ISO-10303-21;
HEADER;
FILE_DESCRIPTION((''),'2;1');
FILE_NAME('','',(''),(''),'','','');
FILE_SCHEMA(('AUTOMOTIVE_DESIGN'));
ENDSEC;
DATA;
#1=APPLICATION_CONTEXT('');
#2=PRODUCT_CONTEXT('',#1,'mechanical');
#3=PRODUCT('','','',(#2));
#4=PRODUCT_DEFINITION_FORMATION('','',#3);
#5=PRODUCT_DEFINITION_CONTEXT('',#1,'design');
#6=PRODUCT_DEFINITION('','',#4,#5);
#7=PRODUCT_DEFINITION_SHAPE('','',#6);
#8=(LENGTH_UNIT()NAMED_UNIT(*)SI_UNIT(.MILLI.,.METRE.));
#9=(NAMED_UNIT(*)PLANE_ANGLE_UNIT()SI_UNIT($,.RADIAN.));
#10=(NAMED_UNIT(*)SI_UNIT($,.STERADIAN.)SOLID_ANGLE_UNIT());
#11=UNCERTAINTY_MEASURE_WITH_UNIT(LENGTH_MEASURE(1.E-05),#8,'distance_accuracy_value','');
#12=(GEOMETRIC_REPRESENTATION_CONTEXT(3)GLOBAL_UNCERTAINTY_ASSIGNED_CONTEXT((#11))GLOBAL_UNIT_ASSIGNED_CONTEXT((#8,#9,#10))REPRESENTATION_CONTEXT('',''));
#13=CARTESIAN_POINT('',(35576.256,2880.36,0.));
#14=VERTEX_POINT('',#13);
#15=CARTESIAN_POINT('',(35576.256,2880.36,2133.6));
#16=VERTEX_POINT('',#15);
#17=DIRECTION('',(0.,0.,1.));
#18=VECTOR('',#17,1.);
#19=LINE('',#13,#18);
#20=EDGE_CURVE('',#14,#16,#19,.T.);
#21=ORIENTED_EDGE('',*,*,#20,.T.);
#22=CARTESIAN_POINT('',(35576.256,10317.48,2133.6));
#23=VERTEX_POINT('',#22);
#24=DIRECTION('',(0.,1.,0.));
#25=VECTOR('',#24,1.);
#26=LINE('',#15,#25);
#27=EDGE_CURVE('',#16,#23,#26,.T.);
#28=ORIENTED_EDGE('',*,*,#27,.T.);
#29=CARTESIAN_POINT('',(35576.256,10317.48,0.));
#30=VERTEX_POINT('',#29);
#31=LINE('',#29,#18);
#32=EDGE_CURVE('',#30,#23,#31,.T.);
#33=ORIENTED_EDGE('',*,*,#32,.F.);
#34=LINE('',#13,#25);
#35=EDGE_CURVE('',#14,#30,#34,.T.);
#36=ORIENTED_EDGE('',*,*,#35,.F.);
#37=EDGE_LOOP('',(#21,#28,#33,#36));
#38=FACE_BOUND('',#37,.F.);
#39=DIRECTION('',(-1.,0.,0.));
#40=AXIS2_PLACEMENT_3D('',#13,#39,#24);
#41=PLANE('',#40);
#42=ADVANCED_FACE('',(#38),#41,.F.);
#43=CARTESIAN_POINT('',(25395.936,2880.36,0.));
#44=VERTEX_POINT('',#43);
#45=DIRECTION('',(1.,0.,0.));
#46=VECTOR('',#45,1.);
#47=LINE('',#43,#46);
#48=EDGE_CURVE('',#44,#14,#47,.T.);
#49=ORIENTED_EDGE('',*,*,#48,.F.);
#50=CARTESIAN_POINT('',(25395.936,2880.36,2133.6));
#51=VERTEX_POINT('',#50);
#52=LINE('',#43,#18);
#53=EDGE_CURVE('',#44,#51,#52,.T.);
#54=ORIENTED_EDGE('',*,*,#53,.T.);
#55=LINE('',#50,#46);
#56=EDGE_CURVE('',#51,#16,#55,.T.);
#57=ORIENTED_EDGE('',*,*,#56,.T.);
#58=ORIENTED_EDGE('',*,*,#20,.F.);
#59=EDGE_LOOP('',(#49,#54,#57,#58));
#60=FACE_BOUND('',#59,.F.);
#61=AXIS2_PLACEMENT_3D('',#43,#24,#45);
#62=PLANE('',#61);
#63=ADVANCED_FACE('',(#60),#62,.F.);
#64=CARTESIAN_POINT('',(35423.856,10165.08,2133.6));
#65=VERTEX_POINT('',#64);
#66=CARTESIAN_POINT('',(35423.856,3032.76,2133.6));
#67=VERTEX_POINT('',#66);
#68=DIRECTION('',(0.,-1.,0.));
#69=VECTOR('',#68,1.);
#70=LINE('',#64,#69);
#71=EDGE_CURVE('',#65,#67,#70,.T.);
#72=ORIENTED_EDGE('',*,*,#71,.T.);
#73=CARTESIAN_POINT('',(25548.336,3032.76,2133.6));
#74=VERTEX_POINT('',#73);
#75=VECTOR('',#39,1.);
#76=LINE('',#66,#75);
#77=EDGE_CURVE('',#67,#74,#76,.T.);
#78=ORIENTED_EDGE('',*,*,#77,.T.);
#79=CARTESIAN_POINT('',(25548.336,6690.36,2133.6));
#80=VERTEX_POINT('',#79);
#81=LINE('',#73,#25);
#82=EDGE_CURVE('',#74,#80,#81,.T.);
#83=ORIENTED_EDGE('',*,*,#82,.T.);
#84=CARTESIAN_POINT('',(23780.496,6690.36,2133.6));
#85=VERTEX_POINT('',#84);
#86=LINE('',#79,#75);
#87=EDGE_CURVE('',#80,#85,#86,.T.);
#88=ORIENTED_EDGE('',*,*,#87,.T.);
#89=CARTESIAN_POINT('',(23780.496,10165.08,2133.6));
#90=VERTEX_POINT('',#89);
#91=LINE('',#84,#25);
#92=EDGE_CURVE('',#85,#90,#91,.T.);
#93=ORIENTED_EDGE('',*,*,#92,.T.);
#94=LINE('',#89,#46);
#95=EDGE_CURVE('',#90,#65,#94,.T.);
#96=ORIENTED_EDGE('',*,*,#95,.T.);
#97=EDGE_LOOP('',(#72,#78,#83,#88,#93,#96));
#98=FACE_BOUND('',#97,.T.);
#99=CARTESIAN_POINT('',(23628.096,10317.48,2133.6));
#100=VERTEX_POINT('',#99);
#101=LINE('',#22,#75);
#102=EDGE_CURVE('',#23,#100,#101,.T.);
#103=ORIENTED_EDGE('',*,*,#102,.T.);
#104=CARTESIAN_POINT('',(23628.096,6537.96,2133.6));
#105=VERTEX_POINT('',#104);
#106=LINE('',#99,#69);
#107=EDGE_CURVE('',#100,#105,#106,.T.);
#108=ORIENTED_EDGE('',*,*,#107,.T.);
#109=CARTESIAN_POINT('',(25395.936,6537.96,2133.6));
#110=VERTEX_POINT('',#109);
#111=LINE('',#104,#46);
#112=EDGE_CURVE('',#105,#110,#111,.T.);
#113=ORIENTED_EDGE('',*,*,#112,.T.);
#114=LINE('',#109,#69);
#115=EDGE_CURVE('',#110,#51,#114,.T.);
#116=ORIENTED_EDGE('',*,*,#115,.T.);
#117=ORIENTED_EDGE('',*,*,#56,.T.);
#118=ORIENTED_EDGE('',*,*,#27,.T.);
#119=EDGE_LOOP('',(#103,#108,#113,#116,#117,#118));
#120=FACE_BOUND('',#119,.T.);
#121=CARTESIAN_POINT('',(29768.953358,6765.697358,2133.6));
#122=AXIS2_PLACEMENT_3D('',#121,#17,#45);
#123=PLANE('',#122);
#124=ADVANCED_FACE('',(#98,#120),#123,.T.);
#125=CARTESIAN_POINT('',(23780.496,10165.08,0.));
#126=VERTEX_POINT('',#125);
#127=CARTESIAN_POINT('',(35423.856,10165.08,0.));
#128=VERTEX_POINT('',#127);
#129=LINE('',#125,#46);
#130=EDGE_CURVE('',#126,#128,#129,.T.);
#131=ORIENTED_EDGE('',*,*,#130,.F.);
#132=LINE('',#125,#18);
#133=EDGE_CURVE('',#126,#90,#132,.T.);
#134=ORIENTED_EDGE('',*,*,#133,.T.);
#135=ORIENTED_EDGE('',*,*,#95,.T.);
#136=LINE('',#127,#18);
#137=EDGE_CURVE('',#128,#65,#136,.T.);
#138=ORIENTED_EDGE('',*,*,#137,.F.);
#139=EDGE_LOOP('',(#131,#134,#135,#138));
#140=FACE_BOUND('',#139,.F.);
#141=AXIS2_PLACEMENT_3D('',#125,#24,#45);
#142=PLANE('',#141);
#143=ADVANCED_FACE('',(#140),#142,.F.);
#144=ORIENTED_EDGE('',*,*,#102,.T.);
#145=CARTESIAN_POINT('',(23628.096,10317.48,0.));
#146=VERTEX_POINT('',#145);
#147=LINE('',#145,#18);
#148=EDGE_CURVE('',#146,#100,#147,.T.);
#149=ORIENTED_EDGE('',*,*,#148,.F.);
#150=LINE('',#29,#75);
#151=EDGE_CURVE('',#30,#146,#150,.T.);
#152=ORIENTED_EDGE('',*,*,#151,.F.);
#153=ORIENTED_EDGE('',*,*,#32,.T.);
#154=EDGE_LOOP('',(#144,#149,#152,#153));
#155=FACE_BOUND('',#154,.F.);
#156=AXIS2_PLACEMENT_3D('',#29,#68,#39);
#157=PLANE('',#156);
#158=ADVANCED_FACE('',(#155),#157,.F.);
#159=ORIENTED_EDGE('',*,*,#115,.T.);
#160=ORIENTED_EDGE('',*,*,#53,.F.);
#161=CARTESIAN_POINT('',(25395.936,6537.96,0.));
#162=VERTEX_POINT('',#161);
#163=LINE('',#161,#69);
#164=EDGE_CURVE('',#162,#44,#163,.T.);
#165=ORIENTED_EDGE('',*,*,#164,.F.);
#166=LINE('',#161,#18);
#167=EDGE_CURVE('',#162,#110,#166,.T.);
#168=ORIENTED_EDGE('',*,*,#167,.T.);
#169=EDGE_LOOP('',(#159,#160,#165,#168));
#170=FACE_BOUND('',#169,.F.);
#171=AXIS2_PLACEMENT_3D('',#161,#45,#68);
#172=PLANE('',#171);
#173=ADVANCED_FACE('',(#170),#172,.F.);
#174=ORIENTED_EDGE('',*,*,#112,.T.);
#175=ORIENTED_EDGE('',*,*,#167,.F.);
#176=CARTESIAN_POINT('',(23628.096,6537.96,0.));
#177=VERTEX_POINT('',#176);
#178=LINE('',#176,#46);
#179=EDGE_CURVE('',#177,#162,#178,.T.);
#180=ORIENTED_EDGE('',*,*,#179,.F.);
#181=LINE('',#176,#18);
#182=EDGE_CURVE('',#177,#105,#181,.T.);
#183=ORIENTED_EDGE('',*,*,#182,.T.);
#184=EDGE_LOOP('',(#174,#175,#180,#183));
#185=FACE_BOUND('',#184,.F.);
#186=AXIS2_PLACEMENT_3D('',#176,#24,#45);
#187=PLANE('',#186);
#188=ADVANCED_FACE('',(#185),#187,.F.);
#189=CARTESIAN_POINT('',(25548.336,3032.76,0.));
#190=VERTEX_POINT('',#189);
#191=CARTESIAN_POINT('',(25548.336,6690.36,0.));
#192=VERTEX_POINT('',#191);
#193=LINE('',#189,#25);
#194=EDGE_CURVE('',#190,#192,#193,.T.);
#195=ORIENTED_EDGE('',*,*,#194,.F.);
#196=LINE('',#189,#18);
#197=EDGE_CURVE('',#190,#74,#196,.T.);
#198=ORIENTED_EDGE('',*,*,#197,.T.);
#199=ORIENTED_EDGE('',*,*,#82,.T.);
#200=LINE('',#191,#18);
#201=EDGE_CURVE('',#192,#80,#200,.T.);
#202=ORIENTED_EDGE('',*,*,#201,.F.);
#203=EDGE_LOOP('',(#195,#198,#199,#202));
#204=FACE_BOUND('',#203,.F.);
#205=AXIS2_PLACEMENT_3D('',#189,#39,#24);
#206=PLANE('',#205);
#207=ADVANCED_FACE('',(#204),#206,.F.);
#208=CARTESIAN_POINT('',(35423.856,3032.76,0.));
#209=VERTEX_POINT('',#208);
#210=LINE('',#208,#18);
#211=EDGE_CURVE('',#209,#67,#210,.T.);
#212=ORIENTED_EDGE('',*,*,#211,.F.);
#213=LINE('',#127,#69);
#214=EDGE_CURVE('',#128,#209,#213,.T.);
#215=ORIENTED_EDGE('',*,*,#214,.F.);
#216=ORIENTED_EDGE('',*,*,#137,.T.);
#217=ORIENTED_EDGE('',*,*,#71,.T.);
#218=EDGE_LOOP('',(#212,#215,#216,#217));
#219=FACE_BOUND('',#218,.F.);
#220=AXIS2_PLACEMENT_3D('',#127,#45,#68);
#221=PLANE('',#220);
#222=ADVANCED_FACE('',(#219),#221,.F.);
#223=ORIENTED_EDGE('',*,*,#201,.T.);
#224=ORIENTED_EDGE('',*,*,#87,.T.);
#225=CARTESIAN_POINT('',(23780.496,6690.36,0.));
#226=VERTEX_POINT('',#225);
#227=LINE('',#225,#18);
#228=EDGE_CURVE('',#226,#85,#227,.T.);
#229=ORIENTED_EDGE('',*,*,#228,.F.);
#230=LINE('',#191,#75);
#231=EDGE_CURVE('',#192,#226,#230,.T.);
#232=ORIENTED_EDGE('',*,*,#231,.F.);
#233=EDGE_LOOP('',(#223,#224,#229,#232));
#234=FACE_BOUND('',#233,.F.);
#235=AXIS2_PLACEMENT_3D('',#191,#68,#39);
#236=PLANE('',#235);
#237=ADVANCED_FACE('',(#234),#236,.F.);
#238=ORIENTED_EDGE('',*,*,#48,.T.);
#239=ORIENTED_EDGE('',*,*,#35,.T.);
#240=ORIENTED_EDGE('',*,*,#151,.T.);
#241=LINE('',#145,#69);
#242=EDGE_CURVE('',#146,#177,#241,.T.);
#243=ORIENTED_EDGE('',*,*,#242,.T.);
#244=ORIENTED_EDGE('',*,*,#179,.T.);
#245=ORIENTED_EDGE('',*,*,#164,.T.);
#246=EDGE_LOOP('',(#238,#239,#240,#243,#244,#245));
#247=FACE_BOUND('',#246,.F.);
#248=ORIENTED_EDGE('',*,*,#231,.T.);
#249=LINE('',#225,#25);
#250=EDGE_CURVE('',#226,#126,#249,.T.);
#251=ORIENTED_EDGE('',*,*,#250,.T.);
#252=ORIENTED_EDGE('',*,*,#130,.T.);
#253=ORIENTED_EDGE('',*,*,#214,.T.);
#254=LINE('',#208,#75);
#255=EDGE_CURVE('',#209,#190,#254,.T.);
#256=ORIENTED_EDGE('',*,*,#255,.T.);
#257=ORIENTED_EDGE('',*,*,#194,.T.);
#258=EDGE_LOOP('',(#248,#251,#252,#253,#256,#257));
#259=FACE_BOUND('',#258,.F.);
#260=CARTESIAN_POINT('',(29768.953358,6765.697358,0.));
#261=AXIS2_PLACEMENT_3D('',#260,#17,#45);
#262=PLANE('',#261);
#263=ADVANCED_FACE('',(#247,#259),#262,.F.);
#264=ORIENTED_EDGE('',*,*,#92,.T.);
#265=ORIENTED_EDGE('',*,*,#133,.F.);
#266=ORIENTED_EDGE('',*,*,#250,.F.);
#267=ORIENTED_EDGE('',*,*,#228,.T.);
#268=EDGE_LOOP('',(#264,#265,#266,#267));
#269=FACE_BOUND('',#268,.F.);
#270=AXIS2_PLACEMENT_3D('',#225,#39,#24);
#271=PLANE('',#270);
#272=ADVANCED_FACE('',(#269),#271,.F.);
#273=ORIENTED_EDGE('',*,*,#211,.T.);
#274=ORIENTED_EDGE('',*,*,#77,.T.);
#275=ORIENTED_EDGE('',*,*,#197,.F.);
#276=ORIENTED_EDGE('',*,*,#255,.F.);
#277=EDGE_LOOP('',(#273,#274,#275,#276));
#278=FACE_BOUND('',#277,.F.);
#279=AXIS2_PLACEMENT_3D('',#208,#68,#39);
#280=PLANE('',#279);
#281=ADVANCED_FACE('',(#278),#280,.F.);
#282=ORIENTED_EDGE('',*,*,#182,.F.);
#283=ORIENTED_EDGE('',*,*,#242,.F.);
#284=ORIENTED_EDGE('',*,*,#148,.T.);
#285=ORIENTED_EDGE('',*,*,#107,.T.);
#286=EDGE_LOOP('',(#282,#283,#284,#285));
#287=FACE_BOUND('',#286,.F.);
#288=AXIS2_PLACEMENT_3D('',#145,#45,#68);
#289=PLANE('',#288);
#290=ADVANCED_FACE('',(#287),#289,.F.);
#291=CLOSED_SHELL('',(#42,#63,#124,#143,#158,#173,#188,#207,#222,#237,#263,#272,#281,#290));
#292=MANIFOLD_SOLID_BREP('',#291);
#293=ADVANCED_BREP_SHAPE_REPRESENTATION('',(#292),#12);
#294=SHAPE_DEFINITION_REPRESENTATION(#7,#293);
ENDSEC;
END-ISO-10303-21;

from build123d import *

# Parameters (mm, degrees)
F1_DEPTH = 2133.6


with BuildPart() as f1:
    # F0 (on Top) → F1 (new body)
    with BuildSketch(Plane.XY):
        Polygon((35576.256, 2880.36), (35576.256, 10317.48), (23628.096, 10317.48), (23628.096, 6537.96), (25395.936, 6537.96), (25395.936, 5059.497356), (25395.936, 2880.36), align=None)
        Polygon((25548.336, 3032.76), (25548.336, 6690.36), (23780.496, 6690.36), (23780.496, 10165.08), (35423.856, 10165.08), (35423.856, 3032.76), align=None, mode=Mode.SUBTRACT)
    extrude(amount=F1_DEPTH)


solid = f1.part
